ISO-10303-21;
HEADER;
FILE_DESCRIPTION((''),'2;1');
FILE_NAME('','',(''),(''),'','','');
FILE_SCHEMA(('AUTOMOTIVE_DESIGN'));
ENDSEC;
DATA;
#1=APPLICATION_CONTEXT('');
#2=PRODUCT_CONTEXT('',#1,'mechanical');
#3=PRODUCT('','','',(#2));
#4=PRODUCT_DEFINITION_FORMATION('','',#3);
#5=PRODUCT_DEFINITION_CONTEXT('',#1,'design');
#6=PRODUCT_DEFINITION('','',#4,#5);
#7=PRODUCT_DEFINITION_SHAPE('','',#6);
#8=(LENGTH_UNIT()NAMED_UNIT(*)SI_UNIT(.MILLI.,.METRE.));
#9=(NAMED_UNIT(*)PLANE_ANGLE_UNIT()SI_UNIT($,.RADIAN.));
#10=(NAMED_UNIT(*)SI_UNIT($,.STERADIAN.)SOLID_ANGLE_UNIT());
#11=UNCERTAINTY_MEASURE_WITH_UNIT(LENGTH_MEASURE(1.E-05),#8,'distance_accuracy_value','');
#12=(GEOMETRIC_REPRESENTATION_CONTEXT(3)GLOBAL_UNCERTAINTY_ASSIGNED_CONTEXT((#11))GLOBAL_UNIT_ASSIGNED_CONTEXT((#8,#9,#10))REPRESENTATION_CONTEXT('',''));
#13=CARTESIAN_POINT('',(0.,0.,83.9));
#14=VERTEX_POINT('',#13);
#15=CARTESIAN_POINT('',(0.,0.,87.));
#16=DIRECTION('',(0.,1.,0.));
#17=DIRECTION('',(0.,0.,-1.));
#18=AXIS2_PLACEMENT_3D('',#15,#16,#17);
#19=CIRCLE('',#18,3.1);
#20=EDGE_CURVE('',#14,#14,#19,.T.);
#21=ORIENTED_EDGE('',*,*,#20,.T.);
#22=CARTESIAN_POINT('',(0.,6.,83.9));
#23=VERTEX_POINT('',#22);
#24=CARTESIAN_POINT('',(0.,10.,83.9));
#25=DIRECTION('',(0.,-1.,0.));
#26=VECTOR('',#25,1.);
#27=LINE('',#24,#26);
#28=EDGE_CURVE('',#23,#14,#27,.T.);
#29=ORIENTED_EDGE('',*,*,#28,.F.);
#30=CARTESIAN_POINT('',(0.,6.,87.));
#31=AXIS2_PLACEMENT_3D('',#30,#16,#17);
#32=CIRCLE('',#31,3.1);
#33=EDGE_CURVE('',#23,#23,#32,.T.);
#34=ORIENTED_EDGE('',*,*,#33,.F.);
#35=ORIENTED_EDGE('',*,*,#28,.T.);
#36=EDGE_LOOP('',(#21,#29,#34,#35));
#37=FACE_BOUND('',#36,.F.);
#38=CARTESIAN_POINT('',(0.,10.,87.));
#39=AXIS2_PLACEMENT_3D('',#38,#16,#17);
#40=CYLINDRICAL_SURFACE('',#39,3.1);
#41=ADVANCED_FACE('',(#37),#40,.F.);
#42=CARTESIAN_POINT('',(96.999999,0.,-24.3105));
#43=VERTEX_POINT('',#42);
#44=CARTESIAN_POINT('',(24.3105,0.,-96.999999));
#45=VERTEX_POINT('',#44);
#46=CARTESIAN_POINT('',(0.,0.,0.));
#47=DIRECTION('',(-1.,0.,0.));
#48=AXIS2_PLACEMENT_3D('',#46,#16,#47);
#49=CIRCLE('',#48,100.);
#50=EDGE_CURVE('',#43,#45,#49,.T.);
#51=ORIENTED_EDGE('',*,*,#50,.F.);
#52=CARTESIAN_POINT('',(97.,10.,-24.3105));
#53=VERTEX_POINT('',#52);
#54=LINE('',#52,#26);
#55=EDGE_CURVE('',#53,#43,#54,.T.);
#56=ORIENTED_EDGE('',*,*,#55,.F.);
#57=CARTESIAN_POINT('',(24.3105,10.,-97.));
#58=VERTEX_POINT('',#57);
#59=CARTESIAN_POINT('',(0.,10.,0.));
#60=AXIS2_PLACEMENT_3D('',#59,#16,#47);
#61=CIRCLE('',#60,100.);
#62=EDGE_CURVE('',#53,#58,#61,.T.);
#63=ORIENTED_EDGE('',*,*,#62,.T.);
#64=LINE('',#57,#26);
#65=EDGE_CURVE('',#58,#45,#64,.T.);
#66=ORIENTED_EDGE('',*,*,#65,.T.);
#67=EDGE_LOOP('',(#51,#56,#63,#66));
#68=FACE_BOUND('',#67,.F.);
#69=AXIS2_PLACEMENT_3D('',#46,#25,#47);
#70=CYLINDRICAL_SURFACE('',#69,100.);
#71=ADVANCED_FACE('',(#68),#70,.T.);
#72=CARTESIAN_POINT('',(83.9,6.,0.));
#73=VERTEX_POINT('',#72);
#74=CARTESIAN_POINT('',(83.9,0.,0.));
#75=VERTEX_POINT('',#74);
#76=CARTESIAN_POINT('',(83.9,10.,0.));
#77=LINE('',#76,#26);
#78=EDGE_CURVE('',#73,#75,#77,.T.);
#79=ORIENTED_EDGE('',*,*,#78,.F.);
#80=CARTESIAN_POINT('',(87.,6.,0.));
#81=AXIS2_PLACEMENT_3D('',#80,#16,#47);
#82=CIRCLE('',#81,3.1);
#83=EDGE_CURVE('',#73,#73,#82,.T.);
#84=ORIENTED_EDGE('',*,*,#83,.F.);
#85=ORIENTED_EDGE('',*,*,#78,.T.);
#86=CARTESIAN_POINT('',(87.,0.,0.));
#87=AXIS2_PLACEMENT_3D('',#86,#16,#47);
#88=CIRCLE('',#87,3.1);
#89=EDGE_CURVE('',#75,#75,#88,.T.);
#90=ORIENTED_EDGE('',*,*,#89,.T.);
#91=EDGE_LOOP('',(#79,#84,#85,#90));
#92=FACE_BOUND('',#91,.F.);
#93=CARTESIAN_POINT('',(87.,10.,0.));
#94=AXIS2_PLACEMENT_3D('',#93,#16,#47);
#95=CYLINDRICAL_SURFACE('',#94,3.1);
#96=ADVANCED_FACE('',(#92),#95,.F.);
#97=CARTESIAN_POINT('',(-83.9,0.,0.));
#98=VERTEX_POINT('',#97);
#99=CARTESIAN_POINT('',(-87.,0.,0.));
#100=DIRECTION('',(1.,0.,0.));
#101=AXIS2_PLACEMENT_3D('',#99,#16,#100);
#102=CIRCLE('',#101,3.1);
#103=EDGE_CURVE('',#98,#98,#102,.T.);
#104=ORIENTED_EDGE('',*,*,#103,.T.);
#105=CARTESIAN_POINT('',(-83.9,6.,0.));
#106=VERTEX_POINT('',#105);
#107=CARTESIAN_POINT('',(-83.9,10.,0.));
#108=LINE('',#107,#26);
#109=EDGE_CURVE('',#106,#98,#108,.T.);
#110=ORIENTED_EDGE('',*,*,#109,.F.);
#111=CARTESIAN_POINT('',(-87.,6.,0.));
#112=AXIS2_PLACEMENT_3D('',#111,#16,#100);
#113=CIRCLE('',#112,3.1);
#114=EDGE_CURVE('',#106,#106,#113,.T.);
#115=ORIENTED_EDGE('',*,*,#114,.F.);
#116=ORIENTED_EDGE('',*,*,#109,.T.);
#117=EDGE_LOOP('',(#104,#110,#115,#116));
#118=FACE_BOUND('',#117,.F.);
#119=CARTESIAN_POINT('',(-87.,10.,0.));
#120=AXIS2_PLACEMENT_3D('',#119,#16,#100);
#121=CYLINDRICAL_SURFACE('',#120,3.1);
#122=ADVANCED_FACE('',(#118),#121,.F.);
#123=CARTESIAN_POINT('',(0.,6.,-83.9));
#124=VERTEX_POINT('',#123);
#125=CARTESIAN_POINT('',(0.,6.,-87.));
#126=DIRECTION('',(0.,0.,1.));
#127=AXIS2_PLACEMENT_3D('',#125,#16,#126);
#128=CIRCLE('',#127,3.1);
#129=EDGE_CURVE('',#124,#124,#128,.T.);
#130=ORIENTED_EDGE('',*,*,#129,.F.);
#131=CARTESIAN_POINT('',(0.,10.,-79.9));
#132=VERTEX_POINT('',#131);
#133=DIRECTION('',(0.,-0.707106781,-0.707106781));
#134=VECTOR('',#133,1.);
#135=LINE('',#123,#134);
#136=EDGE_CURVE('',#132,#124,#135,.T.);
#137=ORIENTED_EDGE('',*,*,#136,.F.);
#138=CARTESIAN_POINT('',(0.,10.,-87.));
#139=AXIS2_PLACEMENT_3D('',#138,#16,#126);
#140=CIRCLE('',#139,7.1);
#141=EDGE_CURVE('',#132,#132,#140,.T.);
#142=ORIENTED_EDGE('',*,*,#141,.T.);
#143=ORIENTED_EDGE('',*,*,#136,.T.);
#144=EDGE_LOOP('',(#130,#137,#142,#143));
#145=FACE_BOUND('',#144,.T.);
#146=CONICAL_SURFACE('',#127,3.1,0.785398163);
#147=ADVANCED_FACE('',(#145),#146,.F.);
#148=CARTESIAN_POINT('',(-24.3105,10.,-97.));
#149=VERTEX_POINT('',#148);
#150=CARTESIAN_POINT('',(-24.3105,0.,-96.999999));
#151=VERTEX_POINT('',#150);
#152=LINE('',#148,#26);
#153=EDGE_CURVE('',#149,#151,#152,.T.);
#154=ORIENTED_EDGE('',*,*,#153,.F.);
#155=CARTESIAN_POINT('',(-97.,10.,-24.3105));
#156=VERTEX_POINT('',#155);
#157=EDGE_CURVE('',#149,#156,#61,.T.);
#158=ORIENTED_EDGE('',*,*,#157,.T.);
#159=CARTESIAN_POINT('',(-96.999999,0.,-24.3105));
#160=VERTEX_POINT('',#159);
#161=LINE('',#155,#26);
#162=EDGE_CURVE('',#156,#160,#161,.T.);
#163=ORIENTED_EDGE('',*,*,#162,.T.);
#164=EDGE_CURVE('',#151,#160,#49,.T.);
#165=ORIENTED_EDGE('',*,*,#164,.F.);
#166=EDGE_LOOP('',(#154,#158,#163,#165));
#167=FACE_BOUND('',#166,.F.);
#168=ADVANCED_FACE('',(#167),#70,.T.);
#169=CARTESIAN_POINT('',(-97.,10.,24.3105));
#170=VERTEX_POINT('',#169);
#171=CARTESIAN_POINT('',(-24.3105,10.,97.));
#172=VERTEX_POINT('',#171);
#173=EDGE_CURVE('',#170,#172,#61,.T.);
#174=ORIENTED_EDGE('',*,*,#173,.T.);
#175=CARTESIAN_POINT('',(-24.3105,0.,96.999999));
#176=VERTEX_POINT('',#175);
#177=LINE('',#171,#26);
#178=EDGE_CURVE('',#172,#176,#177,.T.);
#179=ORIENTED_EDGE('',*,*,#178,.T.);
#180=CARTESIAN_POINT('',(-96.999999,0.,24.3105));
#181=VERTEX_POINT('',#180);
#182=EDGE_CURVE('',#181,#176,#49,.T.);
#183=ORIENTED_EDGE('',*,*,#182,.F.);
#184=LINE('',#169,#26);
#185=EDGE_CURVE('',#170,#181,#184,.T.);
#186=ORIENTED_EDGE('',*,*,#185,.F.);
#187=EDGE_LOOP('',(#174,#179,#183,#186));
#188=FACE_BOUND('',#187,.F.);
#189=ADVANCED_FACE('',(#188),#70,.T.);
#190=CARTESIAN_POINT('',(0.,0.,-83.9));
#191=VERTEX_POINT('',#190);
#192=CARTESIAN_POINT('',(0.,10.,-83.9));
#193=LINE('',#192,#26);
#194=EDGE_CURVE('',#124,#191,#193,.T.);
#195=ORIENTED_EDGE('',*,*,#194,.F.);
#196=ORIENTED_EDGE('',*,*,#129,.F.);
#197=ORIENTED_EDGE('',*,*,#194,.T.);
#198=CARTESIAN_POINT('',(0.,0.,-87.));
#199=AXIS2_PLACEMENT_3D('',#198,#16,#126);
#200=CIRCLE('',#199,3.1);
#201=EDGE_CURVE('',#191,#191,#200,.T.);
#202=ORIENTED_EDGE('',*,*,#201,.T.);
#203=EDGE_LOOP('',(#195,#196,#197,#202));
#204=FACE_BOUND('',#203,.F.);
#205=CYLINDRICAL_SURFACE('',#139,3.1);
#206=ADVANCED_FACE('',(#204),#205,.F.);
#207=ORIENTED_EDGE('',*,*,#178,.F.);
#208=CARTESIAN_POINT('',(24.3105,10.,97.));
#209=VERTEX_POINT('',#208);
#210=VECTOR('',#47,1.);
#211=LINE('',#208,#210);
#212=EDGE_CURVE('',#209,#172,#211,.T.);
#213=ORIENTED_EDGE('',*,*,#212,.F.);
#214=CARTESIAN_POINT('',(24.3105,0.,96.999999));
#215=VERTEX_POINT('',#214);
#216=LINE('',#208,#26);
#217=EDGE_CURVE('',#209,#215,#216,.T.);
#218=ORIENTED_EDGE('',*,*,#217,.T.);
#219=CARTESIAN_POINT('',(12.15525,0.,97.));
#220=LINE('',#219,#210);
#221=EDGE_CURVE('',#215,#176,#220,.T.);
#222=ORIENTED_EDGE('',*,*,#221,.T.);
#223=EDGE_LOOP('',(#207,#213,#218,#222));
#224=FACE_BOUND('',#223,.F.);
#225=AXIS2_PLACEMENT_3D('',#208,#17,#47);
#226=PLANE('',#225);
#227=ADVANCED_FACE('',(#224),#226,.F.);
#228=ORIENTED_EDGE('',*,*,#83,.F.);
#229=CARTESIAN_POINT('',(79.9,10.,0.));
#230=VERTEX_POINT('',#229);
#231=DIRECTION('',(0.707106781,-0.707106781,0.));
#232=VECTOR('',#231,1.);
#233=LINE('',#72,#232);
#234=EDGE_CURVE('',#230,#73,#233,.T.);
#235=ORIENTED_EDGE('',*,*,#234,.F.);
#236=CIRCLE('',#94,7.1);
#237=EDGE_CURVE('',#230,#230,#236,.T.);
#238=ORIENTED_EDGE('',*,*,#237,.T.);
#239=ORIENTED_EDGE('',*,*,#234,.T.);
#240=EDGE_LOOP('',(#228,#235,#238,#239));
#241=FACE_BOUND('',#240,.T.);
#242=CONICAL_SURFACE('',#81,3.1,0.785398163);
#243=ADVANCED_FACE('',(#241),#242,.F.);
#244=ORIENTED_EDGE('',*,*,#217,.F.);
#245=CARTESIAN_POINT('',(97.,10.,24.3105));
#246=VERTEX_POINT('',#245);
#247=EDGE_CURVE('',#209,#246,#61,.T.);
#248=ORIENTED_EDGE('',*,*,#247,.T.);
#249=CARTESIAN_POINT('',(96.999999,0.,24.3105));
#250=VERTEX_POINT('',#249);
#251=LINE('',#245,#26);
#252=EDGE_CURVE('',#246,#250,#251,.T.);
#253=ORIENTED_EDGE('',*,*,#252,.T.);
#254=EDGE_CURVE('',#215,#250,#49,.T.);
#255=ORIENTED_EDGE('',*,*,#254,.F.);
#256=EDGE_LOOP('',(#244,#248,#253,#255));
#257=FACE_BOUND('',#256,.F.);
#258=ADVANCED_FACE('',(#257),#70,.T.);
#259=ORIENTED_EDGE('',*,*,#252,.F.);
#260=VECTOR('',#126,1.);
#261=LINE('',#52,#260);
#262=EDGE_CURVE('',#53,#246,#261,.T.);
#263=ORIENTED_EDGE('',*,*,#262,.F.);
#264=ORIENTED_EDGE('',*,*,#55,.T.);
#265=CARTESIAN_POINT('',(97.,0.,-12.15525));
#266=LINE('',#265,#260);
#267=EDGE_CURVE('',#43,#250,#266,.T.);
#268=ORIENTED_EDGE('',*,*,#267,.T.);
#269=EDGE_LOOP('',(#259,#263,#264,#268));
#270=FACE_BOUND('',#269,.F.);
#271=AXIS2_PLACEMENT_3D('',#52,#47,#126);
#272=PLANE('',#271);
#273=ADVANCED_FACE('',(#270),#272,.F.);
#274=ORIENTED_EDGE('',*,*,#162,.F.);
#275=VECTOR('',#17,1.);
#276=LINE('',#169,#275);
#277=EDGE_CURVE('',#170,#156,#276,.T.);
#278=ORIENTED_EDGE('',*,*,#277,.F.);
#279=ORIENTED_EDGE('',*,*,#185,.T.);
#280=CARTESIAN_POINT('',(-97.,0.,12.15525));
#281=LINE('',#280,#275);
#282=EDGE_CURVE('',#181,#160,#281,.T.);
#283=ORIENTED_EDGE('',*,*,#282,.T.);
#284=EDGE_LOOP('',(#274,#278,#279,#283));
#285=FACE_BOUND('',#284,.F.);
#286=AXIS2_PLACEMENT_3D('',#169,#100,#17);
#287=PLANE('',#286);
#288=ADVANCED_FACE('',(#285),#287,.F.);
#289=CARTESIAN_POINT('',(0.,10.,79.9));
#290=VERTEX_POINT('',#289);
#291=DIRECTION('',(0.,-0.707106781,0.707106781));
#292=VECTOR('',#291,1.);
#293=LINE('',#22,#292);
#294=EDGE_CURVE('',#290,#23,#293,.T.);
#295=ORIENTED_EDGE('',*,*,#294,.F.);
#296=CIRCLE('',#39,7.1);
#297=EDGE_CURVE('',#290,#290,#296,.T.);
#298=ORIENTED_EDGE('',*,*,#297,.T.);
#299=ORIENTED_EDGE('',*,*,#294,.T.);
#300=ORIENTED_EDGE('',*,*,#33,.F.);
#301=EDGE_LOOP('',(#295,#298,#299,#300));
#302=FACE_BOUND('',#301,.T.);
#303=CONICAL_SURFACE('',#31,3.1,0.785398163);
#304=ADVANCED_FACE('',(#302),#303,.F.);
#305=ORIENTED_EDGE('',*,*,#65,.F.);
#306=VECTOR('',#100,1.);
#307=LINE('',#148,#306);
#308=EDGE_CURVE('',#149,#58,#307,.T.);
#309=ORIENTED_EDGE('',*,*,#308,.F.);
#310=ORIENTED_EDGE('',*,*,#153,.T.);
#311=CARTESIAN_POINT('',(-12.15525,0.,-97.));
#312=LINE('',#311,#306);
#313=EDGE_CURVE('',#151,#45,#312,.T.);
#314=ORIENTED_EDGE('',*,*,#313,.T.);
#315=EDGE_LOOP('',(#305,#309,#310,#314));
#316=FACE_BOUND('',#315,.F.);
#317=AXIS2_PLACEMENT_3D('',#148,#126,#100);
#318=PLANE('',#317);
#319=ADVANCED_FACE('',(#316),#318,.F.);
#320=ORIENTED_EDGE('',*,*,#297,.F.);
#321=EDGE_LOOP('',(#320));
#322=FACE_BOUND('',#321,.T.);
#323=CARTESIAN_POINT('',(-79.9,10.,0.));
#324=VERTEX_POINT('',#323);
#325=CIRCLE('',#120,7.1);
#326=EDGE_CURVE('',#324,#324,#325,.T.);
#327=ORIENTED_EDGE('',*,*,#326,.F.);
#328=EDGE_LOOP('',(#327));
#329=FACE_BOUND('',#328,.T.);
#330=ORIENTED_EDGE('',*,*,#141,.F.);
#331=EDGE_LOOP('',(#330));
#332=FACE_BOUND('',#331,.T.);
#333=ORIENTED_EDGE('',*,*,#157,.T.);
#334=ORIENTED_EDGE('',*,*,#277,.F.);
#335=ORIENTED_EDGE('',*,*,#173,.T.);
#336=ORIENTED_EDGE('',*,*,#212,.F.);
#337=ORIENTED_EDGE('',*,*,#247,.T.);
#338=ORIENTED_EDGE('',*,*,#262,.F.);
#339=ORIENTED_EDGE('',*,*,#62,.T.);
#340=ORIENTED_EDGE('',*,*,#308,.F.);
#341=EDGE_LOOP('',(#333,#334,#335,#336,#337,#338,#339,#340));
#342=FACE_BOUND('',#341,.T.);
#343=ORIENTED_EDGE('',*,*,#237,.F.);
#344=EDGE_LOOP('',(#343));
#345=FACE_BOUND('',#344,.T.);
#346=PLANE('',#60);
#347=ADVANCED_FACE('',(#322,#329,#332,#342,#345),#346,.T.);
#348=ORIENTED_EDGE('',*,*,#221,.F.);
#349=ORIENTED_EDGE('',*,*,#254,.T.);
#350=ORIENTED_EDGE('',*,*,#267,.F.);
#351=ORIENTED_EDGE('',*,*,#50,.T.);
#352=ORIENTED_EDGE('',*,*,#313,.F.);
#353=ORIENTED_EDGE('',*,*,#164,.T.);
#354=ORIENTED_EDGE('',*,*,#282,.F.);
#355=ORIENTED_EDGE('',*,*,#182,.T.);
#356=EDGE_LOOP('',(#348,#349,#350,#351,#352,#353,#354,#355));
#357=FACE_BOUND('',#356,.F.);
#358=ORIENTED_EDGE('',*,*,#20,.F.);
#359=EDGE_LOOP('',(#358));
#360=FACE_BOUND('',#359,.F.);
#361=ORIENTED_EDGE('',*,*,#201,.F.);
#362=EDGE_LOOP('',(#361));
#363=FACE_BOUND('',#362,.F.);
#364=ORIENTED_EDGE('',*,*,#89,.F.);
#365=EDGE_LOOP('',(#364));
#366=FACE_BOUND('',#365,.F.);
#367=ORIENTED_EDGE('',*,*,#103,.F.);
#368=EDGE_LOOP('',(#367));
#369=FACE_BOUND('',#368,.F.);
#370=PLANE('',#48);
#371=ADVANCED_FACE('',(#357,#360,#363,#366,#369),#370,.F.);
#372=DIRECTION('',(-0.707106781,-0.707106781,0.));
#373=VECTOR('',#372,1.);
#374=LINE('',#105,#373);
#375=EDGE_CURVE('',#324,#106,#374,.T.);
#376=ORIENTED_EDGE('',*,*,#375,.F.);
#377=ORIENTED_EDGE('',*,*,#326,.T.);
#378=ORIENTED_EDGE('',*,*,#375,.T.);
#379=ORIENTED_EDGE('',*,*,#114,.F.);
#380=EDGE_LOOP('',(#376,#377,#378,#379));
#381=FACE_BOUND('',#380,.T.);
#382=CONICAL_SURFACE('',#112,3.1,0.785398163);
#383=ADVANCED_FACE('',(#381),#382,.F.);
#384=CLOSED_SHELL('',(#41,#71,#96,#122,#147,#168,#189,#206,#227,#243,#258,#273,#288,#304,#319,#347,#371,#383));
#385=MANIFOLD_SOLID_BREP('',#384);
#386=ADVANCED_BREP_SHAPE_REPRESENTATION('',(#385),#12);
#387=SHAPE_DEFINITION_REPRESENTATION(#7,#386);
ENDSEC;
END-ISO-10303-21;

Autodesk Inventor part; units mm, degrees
ref_plane "YZ Plane" through (0, 0, 0) normal (1, 0, 0) x (0, 1, 0)
ref_plane "XZ Plane" through (0, 0, 0) normal (0, 1, 0) x (-1, 0, 0)
ref_plane "XY Plane" through (0, 0, 0) normal (0, 0, 1) x (1, 0, 0)
sketch "Skizze1" plane through (0, 0, 0) normal (0, 1, 0) x (-1, 0, 0)
  circle A0 centre (0, 0) radius 100
  dimension "d0" = 200
extrude "Extrusion1" add sketch "Skizze1" along normal blind 10
sketch "Skizze2" plane through (0, 10, 0) normal (0, 1, 0) x (1, 0, 0)
  circle A0 centre (0, 0) radius 100 projected
  circle A1 centre (-87, 0) radius 3.1
  dimension "d3" = 6.2
  dimension "d4" = 87
  dimension "d5" = 200
extrude "Extrusion2" cut sketch "Skizze2" against normal through all contours A1
sketch "Skizze3" plane through (0, 10, 0) normal (0, 1, 0) x (1, 0, 0)
  circle A0 centre (-87, 0) radius 3.1 projected
  circle A1 centre (0, 0) radius 100 projected
  line L0 (-97, -24.3105) -> (-97, 24.3105)
  circle A2 centre (0, 0) radius 100 projected
  point P0 (-97, -24.3105)
  dimension "d11" = 10
extrude "Extrusion3" cut sketch "Skizze3" against normal through all contours L0 A1 picked at (-97.7491, 4.0825)
pattern_circular "Runde Anordnung3" count 4 over 360 about axis through (0, -10, 0) along (0, 1, 0) of "Extrusion2"
pattern_circular "Runde Anordnung4" count 4 over 360 about axis through (0, -10, 0) along (0, 1, 0) of "Extrusion3"
chamfer "Fasen2" distance 4 angle 45 4 edges at (-90.1, 10, 0) (0, 10, -90.1) (90.1, 10, 0) (0, 10, 90.1)
properties part number "plate_lower"
